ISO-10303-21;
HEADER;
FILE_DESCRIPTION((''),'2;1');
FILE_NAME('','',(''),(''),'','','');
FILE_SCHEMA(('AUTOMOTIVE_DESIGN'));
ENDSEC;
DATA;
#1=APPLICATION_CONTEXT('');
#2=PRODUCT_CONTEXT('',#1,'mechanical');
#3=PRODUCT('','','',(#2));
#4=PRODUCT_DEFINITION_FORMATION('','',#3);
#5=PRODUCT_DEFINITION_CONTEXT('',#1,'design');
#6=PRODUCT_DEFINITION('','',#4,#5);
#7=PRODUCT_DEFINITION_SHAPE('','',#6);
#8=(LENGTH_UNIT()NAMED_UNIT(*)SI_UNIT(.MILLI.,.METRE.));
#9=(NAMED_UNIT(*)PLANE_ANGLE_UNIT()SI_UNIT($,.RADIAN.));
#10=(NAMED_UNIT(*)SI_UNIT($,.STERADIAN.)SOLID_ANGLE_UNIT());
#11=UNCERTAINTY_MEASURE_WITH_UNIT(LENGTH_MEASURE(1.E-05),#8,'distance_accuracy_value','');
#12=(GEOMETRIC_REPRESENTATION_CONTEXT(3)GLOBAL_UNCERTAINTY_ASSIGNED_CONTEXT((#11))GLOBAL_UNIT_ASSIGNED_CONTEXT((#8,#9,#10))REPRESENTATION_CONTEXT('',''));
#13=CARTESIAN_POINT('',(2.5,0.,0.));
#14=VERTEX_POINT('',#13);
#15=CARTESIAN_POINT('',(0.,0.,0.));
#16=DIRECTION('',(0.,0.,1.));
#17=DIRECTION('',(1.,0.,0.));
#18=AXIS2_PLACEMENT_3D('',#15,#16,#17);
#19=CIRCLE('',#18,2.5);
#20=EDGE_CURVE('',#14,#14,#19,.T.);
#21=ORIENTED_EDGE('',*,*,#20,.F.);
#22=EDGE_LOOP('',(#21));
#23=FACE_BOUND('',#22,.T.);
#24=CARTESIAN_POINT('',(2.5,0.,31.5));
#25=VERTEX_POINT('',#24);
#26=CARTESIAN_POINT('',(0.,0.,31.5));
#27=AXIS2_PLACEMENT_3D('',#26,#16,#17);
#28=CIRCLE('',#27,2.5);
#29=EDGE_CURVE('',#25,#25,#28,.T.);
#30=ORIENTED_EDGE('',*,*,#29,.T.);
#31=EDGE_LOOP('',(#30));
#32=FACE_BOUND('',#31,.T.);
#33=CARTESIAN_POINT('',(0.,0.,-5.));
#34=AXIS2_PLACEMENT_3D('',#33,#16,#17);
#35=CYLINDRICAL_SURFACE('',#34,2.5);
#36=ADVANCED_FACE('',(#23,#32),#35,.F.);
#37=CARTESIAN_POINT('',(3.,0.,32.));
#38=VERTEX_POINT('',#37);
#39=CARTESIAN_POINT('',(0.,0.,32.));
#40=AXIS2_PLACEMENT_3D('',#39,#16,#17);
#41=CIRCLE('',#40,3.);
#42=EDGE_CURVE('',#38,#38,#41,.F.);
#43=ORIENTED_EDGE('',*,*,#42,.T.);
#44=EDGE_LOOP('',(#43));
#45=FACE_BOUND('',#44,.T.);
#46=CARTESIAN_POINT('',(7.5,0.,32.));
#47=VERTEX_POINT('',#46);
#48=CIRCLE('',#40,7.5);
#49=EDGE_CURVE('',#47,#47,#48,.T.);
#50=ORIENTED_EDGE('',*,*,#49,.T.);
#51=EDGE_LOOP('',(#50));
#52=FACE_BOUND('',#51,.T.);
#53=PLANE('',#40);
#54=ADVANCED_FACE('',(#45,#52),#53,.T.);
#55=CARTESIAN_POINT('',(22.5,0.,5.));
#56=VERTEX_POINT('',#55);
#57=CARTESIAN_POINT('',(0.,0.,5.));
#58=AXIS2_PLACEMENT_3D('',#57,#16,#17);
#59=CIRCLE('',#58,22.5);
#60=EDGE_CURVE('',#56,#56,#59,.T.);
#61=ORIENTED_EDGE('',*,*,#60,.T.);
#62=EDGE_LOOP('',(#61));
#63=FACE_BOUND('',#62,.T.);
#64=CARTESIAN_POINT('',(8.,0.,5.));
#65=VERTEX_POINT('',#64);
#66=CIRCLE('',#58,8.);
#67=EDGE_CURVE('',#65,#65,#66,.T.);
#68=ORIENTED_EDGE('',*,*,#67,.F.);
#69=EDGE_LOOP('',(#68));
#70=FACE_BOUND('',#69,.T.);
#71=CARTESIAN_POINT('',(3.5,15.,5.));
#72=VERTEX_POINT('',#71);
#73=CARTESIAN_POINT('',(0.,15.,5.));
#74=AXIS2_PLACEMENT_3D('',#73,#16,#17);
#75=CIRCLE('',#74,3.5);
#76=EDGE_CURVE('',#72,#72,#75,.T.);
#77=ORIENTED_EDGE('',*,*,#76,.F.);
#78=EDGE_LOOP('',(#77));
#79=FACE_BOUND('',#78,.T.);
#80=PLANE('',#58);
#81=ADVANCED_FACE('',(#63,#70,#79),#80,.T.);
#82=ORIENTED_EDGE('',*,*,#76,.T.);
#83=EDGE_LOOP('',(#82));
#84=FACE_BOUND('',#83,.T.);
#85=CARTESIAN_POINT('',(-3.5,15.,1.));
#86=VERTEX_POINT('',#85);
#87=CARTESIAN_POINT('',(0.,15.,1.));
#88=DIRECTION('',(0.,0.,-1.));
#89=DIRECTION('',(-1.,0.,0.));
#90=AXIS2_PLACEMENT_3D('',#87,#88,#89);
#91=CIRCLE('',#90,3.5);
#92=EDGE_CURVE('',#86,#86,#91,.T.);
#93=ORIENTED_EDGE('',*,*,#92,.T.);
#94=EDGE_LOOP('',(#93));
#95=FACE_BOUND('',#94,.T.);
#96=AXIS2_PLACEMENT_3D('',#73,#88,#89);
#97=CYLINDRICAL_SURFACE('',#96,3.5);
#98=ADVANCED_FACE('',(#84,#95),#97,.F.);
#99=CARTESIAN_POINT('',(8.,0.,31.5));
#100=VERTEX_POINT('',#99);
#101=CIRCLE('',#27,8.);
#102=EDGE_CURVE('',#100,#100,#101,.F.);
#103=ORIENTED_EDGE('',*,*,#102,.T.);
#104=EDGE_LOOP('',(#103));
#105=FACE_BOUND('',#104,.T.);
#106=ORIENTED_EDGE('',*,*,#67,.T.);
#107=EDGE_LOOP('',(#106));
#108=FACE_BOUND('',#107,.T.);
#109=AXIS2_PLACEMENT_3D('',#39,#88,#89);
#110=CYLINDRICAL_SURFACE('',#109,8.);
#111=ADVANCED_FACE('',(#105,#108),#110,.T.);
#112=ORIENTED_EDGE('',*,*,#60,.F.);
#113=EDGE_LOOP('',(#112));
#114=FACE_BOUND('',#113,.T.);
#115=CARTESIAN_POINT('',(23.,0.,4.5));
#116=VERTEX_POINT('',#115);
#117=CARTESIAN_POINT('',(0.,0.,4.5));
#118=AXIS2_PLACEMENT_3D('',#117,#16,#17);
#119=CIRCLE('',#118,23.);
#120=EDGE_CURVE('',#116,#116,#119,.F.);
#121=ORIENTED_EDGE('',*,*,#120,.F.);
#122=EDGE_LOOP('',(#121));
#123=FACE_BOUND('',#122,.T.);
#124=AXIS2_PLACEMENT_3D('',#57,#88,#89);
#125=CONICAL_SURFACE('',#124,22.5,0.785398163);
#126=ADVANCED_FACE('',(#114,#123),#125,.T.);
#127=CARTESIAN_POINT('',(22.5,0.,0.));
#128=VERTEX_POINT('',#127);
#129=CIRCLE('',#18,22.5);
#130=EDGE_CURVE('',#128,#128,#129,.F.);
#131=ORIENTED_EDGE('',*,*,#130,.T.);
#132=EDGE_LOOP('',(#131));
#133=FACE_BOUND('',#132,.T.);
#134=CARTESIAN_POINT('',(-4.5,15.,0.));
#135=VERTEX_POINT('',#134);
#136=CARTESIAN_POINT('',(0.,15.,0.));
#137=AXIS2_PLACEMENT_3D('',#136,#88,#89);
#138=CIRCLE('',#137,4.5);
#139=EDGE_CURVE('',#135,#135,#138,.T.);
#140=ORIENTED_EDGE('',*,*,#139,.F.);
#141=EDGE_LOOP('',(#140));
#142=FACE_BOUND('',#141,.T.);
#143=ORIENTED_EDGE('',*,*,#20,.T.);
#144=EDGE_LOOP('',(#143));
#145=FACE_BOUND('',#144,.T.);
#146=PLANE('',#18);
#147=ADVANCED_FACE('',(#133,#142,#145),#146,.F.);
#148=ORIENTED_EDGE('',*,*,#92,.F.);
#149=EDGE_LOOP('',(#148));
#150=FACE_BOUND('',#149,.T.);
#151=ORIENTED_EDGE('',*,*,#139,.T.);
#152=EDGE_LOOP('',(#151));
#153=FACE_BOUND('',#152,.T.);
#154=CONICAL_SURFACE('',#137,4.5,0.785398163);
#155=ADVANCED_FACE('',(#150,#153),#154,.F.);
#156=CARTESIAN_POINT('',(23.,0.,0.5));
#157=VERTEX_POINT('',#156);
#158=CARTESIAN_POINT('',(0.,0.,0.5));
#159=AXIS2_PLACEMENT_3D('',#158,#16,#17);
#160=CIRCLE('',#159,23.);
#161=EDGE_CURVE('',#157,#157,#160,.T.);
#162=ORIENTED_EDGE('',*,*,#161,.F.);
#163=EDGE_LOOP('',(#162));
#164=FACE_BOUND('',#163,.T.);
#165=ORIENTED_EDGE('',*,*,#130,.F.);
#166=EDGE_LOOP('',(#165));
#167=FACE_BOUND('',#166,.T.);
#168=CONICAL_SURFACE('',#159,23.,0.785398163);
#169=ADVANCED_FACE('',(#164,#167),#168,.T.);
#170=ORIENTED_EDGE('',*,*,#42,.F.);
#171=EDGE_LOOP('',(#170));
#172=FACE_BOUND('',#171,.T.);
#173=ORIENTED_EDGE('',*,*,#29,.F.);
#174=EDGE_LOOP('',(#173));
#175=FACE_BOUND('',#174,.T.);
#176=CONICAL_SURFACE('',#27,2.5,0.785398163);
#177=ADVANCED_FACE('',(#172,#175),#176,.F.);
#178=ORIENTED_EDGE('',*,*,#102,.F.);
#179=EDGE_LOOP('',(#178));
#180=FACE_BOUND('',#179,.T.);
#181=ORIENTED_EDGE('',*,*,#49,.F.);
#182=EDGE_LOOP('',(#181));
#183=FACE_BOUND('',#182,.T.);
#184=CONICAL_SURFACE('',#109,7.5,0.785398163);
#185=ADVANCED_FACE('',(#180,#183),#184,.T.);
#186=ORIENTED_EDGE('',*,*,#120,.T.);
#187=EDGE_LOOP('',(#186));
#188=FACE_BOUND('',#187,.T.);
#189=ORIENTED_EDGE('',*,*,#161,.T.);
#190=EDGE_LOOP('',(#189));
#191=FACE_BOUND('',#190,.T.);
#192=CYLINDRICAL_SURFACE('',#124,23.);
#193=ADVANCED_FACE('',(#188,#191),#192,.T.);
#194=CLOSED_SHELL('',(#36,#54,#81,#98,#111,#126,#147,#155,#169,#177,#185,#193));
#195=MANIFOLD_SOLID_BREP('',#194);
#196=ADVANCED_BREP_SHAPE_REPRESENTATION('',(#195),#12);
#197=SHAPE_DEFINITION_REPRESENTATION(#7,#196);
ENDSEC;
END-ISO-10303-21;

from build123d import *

# Parameters (mm, degrees)
SKETCH1_R                                           = 23
SKETCH1_R_2                                         = 8
SKETCH1_R_3                                         = 3.5
BOSS_EXTRUDE1_DEPTH                                 = 5
SKETCH1_3_R                                         = 8
BOSS_EXTRUDE2_DEPTH                                 = 32
SKETCH2_R                                           = 2.5
CUT_EXTRUDE1_DEPTH                                  = 37
CHAMFER2_SIZE                                       = 0.5
CSK_FOR_M6_COUNTERSUNK_FLAT_HEAD_SCREW2_D           = 7
CSK_FOR_M6_COUNTERSUNK_FLAT_HEAD_SCREW2_DEPTH       = 5
CSK_FOR_M6_COUNTERSUNK_FLAT_HEAD_SCREW2_CSINK_D     = 9
CSK_FOR_M6_COUNTERSUNK_FLAT_HEAD_SCREW2_CSINK_ANGLE = 90
CSK_FOR_M6_COUNTERSUNK_FLAT_HEAD_SCREW2_TIP         = 2.103012167


with BuildPart() as part:
    # Sketch1 → Boss-Extrude1 (new body)
    with BuildSketch(Plane.XY):
        Circle(SKETCH1_R)
        Circle(SKETCH1_R_2, mode=Mode.SUBTRACT)
        with Locations((0, 15)):
            Circle(SKETCH1_R_3, mode=Mode.SUBTRACT)
    extrude(amount=BOSS_EXTRUDE1_DEPTH)

    # Sketch1<3> → Boss-Extrude2 (add)
    with BuildSketch(Plane.XY):
        Circle(SKETCH1_3_R)
    extrude(amount=BOSS_EXTRUDE2_DEPTH)

    # Sketch2 → Cut-Extrude1 (cut)
    with BuildSketch(Plane.XY.offset(32)):
        Circle(SKETCH2_R)
    extrude(amount=-CUT_EXTRUDE1_DEPTH, mode=Mode.SUBTRACT)

    # Chamfer2
    chamfer2_edges = [part.edges().sort_by_distance(p)[0] for p in [
        (-8, 0, 32),
        (-23, 0, 0),
        (-2.5, 0, 32),
        (-23, 0, 5),
    ]]
    chamfer(chamfer2_edges, length=CHAMFER2_SIZE)

    # CSK for M6 Countersunk Flat Head Screw2
    with Locations(Plane(origin=(0, 0, 0), x_dir=(-1, 0, 0), z_dir=(0, 0, -1))):
        with Locations((0, 15)):
            CounterSinkHole(CSK_FOR_M6_COUNTERSUNK_FLAT_HEAD_SCREW2_D / 2, CSK_FOR_M6_COUNTERSUNK_FLAT_HEAD_SCREW2_CSINK_D / 2, depth=CSK_FOR_M6_COUNTERSUNK_FLAT_HEAD_SCREW2_DEPTH, counter_sink_angle=CSK_FOR_M6_COUNTERSUNK_FLAT_HEAD_SCREW2_CSINK_ANGLE)
            with Locations((0, 0, -(CSK_FOR_M6_COUNTERSUNK_FLAT_HEAD_SCREW2_DEPTH + CSK_FOR_M6_COUNTERSUNK_FLAT_HEAD_SCREW2_TIP / 2))):  # 118° drill point
                Cone(0, CSK_FOR_M6_COUNTERSUNK_FLAT_HEAD_SCREW2_D / 2, CSK_FOR_M6_COUNTERSUNK_FLAT_HEAD_SCREW2_TIP, mode=Mode.SUBTRACT)


solid = part.part
